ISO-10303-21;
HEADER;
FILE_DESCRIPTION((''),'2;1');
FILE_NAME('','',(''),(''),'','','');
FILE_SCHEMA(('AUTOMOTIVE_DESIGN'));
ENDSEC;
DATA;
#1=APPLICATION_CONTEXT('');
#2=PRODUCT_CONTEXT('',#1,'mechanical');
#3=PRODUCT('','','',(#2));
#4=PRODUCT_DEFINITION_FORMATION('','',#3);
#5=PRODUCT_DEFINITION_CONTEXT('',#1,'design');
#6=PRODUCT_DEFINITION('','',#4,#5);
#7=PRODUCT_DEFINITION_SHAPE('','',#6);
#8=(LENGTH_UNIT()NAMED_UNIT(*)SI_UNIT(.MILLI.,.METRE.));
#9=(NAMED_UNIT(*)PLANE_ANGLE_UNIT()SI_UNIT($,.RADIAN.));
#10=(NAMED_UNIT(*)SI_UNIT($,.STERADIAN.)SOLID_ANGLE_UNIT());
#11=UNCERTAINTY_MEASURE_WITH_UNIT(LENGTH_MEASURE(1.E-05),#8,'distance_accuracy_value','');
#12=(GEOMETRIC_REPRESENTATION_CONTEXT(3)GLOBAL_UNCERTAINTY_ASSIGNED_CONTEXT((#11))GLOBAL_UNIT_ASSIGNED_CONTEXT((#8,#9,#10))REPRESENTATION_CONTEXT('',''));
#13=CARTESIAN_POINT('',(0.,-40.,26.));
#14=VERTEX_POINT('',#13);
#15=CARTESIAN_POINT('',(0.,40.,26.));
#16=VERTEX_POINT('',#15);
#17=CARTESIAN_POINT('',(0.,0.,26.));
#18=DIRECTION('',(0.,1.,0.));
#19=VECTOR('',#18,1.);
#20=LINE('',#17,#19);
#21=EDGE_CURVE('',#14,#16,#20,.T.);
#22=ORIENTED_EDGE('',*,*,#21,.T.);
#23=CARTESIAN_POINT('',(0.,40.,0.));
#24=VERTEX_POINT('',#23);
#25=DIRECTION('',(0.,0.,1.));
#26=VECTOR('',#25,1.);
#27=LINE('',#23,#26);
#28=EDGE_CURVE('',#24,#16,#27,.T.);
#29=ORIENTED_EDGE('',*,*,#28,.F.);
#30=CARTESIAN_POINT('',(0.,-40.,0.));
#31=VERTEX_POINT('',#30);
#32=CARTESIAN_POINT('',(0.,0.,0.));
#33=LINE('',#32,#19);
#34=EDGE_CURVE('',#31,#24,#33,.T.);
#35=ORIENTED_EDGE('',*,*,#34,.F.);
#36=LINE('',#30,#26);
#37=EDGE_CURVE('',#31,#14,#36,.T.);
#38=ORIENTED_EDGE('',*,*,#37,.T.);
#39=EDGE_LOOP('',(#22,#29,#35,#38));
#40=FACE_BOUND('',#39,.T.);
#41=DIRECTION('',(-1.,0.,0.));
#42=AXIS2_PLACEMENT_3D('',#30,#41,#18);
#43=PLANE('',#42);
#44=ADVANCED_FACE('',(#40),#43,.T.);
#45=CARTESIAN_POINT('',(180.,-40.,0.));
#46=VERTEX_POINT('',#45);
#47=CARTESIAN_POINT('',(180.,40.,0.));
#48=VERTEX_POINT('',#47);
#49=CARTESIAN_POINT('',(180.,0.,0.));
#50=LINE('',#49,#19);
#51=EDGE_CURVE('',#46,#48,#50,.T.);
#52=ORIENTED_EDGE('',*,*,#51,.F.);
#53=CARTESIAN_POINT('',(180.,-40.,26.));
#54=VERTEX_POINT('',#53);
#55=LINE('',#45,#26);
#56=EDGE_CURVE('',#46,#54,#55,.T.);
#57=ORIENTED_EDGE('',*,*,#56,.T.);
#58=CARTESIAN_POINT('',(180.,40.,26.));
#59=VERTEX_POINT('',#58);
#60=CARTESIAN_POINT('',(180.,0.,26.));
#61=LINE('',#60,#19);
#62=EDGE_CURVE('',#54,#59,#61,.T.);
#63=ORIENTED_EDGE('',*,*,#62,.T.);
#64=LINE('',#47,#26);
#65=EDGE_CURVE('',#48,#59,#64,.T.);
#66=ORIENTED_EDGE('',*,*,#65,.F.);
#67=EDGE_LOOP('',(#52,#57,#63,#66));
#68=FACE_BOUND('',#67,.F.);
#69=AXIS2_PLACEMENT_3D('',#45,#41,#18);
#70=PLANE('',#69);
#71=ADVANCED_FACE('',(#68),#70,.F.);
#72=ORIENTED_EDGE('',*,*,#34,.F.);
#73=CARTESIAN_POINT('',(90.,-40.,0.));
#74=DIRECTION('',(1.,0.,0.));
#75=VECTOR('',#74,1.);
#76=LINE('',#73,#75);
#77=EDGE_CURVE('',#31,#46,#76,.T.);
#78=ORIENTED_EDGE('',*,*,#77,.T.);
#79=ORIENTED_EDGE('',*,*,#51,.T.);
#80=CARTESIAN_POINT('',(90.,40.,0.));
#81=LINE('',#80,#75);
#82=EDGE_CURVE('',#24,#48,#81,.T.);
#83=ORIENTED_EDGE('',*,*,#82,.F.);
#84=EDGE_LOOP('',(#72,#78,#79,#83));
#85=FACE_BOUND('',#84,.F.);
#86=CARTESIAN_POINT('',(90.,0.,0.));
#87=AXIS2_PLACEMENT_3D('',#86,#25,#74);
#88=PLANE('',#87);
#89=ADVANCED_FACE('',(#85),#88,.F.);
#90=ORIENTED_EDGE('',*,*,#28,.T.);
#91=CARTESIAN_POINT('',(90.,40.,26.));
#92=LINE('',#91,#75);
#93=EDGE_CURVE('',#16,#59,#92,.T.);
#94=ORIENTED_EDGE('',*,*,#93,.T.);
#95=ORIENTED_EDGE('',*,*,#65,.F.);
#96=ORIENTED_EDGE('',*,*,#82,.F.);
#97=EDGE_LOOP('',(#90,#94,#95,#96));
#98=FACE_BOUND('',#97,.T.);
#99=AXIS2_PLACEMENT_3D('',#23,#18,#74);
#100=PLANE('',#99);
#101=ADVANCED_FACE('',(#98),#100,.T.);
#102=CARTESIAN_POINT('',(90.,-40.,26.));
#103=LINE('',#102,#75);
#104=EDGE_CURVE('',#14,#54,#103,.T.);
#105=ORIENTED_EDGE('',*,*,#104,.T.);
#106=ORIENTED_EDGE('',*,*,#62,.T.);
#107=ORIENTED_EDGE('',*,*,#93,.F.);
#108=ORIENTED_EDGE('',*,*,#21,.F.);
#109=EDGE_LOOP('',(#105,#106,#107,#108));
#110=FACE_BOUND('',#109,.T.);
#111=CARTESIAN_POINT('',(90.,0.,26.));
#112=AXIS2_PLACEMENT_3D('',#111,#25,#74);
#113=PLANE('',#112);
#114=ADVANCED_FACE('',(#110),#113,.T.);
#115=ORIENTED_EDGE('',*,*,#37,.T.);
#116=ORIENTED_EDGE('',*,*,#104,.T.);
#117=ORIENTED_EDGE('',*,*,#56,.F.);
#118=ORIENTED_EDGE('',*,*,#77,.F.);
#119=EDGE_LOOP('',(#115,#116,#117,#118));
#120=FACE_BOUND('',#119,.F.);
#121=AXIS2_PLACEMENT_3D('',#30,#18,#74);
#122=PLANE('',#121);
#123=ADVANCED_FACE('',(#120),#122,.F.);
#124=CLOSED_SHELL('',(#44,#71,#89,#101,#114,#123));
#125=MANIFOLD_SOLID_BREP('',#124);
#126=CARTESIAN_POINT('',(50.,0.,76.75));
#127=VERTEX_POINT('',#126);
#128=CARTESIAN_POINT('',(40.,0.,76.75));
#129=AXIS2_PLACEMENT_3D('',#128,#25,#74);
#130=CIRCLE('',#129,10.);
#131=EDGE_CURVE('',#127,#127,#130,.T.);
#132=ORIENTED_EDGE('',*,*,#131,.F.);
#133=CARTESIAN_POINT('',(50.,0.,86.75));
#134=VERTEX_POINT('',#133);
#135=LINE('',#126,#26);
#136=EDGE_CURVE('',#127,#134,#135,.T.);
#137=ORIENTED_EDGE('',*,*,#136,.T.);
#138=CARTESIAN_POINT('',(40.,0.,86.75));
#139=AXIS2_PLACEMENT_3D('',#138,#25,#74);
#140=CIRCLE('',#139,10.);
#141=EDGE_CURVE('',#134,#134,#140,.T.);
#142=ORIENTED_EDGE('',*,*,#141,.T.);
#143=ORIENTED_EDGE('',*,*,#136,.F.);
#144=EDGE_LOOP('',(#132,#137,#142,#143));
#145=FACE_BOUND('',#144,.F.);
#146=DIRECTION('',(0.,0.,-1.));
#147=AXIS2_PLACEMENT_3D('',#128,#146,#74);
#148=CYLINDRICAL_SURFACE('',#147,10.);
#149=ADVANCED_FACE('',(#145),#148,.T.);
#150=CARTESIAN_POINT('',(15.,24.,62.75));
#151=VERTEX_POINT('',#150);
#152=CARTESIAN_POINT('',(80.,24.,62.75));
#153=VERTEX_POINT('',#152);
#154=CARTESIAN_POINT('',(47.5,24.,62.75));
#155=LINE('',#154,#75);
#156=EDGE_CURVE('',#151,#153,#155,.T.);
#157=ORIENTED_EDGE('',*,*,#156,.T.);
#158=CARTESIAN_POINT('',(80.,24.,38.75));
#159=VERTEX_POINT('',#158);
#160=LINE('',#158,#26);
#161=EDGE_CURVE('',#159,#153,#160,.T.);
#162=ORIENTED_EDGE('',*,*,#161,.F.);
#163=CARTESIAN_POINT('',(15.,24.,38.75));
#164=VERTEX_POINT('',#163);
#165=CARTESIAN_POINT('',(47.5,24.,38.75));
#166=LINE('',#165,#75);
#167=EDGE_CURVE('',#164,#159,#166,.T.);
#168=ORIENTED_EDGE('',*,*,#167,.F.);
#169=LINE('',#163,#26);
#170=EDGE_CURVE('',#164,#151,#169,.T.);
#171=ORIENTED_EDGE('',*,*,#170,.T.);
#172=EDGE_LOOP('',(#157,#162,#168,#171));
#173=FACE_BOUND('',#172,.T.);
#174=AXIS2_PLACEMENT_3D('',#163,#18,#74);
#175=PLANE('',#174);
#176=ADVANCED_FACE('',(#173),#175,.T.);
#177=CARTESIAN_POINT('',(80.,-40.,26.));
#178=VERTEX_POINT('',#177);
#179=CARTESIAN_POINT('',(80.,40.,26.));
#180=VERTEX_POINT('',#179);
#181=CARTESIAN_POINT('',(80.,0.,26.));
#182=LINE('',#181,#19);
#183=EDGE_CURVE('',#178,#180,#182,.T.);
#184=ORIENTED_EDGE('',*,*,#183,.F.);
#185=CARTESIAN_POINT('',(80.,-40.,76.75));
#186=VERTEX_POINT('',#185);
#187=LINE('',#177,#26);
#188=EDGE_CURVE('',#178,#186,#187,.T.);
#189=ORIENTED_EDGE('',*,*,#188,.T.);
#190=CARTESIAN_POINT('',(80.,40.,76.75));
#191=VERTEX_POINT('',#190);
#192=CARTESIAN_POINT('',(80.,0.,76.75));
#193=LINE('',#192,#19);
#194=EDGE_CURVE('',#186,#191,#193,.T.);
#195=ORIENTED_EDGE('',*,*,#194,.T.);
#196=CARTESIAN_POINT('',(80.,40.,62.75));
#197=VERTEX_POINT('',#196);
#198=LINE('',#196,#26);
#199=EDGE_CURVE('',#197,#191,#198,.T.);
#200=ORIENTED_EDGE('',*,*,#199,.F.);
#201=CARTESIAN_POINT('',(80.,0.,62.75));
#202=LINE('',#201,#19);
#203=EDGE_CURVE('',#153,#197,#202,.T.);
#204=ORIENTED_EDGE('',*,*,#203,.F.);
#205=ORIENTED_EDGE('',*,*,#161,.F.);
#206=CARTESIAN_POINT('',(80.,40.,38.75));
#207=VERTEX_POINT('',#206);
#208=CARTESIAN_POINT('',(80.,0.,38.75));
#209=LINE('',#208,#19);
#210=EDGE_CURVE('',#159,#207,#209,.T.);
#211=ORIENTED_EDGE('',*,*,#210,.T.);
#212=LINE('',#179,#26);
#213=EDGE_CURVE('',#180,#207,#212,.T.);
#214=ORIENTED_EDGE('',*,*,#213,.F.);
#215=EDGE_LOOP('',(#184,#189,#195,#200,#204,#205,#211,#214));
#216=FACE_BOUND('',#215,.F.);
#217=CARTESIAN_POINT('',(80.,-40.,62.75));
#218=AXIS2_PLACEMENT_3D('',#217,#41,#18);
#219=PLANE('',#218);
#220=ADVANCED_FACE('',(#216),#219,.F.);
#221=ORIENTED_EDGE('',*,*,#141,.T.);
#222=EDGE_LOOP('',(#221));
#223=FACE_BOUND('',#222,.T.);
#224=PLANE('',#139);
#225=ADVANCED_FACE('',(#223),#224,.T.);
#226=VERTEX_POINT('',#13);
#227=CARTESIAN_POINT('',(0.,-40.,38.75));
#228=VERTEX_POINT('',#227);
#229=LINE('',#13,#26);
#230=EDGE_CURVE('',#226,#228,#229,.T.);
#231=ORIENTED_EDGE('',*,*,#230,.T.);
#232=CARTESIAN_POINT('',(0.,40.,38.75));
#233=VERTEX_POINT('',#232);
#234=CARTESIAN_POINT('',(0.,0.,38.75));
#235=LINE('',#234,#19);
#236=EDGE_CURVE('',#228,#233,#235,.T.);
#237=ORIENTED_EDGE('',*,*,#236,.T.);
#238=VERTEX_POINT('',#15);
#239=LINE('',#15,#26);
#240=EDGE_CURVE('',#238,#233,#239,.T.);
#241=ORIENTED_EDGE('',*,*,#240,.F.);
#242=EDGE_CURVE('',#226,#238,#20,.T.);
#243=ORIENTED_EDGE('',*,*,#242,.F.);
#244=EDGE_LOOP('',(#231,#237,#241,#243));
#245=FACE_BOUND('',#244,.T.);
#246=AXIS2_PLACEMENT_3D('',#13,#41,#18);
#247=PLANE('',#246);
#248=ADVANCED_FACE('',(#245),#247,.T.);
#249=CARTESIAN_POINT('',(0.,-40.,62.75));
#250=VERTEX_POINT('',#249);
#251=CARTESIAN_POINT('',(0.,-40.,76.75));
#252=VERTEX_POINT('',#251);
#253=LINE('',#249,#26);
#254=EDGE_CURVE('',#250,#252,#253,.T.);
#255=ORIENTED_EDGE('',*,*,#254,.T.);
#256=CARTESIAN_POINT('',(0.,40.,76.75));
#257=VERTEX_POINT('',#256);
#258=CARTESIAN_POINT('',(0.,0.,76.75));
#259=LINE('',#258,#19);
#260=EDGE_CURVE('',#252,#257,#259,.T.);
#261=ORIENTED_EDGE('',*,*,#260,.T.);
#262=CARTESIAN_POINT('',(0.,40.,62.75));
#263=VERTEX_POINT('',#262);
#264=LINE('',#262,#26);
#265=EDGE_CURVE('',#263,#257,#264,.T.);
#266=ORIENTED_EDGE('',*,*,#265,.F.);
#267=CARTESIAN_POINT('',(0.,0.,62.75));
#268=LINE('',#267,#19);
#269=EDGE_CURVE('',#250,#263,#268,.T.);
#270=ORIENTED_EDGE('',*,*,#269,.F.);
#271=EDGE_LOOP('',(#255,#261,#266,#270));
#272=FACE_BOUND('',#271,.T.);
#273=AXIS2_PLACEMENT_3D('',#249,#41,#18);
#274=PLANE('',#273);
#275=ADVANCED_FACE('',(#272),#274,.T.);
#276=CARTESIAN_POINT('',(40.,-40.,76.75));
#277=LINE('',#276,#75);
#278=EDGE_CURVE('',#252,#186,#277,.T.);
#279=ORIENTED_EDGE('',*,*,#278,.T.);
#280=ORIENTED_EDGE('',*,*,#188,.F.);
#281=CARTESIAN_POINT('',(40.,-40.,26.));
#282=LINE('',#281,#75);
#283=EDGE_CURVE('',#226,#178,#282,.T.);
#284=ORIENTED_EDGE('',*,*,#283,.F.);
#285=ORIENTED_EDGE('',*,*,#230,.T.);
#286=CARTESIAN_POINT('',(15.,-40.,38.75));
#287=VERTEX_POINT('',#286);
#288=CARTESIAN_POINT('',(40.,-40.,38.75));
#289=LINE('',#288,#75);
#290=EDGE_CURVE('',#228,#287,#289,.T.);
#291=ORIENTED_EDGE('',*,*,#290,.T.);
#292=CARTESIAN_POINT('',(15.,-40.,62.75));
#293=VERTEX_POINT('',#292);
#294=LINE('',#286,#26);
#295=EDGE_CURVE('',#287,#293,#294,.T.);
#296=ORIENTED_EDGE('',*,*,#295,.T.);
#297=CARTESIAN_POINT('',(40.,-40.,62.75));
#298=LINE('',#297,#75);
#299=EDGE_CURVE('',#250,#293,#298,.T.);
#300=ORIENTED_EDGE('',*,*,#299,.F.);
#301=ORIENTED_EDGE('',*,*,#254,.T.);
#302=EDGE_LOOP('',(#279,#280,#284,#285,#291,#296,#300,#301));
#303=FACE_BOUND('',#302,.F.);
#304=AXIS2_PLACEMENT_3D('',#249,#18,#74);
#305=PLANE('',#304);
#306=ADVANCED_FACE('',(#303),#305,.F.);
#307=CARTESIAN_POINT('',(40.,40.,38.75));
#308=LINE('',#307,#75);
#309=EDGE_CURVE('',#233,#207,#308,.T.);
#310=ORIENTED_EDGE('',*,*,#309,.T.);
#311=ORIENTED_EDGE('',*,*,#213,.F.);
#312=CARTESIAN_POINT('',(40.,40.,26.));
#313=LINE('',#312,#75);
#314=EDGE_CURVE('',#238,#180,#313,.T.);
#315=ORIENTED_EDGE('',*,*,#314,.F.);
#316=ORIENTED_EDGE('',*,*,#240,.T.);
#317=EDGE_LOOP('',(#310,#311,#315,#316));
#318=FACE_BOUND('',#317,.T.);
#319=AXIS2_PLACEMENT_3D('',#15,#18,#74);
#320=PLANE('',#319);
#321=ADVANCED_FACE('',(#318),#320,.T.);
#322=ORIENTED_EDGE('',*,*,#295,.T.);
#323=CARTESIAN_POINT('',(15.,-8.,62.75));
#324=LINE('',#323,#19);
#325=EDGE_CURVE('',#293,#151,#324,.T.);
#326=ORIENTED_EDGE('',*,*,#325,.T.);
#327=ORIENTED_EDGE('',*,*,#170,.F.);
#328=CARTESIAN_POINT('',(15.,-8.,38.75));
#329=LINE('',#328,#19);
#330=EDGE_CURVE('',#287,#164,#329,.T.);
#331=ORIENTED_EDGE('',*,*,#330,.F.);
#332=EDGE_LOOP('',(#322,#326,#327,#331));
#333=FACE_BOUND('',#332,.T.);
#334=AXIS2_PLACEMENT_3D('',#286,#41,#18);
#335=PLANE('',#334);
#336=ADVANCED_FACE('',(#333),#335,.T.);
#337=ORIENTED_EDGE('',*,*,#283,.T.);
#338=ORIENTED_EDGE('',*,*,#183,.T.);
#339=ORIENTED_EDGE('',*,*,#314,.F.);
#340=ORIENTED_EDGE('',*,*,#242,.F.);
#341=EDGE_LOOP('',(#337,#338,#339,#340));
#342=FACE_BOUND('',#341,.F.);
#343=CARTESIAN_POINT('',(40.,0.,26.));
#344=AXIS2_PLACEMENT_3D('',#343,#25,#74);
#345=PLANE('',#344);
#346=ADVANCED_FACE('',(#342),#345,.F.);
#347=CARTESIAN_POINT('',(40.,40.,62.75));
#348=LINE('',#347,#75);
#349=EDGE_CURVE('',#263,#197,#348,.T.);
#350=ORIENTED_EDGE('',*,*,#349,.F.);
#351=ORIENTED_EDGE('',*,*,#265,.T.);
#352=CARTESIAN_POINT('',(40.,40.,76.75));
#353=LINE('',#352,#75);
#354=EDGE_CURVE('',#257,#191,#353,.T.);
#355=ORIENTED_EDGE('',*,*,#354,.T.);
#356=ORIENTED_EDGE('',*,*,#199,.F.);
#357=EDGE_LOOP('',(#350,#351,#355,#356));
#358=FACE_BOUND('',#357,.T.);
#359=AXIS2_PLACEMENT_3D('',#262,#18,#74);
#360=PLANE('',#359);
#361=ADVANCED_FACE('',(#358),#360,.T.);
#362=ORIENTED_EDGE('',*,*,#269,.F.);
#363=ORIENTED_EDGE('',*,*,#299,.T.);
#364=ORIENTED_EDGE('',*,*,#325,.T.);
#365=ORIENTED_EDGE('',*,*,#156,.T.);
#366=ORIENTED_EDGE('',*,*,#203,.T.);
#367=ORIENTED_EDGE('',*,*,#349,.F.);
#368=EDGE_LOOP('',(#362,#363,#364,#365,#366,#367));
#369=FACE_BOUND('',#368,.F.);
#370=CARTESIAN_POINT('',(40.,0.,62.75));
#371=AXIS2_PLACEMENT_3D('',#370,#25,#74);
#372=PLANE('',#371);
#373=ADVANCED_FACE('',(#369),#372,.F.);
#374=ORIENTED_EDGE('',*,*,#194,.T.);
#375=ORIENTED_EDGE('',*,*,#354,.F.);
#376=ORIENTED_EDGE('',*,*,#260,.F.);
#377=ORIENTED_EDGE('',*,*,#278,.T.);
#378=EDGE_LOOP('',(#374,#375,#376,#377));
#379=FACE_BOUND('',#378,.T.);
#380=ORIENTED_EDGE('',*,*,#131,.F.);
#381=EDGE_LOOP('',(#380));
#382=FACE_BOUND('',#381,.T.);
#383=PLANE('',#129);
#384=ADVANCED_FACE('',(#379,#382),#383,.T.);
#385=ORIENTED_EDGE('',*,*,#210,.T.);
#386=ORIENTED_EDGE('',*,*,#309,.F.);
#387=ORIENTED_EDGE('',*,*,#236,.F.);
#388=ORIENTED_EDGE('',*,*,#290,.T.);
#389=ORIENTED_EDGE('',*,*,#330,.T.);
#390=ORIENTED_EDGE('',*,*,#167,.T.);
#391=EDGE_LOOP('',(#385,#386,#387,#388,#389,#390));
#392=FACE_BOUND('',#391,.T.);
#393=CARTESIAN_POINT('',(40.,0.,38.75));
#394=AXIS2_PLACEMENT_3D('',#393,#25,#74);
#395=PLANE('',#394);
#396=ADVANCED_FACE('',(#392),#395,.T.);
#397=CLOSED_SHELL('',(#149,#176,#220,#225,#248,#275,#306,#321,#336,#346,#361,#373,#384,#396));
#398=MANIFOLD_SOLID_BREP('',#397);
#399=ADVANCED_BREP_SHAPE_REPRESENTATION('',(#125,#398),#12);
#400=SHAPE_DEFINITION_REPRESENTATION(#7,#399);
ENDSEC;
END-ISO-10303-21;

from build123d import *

# Parameters (mm, degrees)
SKETCH_W     = 180
SKETCH_H     = 80
PAD_DEPTH    = 26
SKETCH001_W  = 80
SKETCH001_H  = 80
PAD001_DEPTH = 12.75
SKETCH002_W  = 65
SKETCH002_H  = 64
PAD002_DEPTH = 24
SKETCH003_W  = 80
SKETCH003_H  = 80
PAD003_DEPTH = 14
SKETCH004_R  = 10
PAD004_DEPTH = 10


with BuildPart() as base:
    # Sketch → Pad (new body)
    with BuildSketch(Plane.XY):
        with Locations((90, 0)):
            Rectangle(SKETCH_W, SKETCH_H)
    extrude(amount=PAD_DEPTH)


with BuildPart() as toolholder:
    # Sketch001 → Pad001 (new body)
    with BuildSketch(Plane.XY.offset(26)):
        with Locations((40, 0)):
            Rectangle(SKETCH001_W, SKETCH001_H)
    extrude(amount=PAD001_DEPTH)

    # Sketch002 (on Face6 of Pad001) → Pad002 (join)
    with BuildSketch(Plane.XY.offset(38.75)):
        with Locations((47.5, -8)):
            Rectangle(SKETCH002_W, SKETCH002_H)
    extrude(amount=PAD002_DEPTH)

    # Sketch003 (on Face11 of Pad002) → Pad003 (join)
    with BuildSketch(Plane.XY.offset(62.75)):
        with Locations((40, 0)):
            Rectangle(SKETCH003_W, SKETCH003_H)
    extrude(amount=PAD003_DEPTH)

    # Sketch004 (on Face15 of Pad003) → Pad004 (join)
    with BuildSketch(Plane.XY.offset(76.75)):
        with Locations((40, 0)):
            Circle(SKETCH004_R)
    extrude(amount=PAD004_DEPTH)


solid = Compound([base.part, toolholder.part])
